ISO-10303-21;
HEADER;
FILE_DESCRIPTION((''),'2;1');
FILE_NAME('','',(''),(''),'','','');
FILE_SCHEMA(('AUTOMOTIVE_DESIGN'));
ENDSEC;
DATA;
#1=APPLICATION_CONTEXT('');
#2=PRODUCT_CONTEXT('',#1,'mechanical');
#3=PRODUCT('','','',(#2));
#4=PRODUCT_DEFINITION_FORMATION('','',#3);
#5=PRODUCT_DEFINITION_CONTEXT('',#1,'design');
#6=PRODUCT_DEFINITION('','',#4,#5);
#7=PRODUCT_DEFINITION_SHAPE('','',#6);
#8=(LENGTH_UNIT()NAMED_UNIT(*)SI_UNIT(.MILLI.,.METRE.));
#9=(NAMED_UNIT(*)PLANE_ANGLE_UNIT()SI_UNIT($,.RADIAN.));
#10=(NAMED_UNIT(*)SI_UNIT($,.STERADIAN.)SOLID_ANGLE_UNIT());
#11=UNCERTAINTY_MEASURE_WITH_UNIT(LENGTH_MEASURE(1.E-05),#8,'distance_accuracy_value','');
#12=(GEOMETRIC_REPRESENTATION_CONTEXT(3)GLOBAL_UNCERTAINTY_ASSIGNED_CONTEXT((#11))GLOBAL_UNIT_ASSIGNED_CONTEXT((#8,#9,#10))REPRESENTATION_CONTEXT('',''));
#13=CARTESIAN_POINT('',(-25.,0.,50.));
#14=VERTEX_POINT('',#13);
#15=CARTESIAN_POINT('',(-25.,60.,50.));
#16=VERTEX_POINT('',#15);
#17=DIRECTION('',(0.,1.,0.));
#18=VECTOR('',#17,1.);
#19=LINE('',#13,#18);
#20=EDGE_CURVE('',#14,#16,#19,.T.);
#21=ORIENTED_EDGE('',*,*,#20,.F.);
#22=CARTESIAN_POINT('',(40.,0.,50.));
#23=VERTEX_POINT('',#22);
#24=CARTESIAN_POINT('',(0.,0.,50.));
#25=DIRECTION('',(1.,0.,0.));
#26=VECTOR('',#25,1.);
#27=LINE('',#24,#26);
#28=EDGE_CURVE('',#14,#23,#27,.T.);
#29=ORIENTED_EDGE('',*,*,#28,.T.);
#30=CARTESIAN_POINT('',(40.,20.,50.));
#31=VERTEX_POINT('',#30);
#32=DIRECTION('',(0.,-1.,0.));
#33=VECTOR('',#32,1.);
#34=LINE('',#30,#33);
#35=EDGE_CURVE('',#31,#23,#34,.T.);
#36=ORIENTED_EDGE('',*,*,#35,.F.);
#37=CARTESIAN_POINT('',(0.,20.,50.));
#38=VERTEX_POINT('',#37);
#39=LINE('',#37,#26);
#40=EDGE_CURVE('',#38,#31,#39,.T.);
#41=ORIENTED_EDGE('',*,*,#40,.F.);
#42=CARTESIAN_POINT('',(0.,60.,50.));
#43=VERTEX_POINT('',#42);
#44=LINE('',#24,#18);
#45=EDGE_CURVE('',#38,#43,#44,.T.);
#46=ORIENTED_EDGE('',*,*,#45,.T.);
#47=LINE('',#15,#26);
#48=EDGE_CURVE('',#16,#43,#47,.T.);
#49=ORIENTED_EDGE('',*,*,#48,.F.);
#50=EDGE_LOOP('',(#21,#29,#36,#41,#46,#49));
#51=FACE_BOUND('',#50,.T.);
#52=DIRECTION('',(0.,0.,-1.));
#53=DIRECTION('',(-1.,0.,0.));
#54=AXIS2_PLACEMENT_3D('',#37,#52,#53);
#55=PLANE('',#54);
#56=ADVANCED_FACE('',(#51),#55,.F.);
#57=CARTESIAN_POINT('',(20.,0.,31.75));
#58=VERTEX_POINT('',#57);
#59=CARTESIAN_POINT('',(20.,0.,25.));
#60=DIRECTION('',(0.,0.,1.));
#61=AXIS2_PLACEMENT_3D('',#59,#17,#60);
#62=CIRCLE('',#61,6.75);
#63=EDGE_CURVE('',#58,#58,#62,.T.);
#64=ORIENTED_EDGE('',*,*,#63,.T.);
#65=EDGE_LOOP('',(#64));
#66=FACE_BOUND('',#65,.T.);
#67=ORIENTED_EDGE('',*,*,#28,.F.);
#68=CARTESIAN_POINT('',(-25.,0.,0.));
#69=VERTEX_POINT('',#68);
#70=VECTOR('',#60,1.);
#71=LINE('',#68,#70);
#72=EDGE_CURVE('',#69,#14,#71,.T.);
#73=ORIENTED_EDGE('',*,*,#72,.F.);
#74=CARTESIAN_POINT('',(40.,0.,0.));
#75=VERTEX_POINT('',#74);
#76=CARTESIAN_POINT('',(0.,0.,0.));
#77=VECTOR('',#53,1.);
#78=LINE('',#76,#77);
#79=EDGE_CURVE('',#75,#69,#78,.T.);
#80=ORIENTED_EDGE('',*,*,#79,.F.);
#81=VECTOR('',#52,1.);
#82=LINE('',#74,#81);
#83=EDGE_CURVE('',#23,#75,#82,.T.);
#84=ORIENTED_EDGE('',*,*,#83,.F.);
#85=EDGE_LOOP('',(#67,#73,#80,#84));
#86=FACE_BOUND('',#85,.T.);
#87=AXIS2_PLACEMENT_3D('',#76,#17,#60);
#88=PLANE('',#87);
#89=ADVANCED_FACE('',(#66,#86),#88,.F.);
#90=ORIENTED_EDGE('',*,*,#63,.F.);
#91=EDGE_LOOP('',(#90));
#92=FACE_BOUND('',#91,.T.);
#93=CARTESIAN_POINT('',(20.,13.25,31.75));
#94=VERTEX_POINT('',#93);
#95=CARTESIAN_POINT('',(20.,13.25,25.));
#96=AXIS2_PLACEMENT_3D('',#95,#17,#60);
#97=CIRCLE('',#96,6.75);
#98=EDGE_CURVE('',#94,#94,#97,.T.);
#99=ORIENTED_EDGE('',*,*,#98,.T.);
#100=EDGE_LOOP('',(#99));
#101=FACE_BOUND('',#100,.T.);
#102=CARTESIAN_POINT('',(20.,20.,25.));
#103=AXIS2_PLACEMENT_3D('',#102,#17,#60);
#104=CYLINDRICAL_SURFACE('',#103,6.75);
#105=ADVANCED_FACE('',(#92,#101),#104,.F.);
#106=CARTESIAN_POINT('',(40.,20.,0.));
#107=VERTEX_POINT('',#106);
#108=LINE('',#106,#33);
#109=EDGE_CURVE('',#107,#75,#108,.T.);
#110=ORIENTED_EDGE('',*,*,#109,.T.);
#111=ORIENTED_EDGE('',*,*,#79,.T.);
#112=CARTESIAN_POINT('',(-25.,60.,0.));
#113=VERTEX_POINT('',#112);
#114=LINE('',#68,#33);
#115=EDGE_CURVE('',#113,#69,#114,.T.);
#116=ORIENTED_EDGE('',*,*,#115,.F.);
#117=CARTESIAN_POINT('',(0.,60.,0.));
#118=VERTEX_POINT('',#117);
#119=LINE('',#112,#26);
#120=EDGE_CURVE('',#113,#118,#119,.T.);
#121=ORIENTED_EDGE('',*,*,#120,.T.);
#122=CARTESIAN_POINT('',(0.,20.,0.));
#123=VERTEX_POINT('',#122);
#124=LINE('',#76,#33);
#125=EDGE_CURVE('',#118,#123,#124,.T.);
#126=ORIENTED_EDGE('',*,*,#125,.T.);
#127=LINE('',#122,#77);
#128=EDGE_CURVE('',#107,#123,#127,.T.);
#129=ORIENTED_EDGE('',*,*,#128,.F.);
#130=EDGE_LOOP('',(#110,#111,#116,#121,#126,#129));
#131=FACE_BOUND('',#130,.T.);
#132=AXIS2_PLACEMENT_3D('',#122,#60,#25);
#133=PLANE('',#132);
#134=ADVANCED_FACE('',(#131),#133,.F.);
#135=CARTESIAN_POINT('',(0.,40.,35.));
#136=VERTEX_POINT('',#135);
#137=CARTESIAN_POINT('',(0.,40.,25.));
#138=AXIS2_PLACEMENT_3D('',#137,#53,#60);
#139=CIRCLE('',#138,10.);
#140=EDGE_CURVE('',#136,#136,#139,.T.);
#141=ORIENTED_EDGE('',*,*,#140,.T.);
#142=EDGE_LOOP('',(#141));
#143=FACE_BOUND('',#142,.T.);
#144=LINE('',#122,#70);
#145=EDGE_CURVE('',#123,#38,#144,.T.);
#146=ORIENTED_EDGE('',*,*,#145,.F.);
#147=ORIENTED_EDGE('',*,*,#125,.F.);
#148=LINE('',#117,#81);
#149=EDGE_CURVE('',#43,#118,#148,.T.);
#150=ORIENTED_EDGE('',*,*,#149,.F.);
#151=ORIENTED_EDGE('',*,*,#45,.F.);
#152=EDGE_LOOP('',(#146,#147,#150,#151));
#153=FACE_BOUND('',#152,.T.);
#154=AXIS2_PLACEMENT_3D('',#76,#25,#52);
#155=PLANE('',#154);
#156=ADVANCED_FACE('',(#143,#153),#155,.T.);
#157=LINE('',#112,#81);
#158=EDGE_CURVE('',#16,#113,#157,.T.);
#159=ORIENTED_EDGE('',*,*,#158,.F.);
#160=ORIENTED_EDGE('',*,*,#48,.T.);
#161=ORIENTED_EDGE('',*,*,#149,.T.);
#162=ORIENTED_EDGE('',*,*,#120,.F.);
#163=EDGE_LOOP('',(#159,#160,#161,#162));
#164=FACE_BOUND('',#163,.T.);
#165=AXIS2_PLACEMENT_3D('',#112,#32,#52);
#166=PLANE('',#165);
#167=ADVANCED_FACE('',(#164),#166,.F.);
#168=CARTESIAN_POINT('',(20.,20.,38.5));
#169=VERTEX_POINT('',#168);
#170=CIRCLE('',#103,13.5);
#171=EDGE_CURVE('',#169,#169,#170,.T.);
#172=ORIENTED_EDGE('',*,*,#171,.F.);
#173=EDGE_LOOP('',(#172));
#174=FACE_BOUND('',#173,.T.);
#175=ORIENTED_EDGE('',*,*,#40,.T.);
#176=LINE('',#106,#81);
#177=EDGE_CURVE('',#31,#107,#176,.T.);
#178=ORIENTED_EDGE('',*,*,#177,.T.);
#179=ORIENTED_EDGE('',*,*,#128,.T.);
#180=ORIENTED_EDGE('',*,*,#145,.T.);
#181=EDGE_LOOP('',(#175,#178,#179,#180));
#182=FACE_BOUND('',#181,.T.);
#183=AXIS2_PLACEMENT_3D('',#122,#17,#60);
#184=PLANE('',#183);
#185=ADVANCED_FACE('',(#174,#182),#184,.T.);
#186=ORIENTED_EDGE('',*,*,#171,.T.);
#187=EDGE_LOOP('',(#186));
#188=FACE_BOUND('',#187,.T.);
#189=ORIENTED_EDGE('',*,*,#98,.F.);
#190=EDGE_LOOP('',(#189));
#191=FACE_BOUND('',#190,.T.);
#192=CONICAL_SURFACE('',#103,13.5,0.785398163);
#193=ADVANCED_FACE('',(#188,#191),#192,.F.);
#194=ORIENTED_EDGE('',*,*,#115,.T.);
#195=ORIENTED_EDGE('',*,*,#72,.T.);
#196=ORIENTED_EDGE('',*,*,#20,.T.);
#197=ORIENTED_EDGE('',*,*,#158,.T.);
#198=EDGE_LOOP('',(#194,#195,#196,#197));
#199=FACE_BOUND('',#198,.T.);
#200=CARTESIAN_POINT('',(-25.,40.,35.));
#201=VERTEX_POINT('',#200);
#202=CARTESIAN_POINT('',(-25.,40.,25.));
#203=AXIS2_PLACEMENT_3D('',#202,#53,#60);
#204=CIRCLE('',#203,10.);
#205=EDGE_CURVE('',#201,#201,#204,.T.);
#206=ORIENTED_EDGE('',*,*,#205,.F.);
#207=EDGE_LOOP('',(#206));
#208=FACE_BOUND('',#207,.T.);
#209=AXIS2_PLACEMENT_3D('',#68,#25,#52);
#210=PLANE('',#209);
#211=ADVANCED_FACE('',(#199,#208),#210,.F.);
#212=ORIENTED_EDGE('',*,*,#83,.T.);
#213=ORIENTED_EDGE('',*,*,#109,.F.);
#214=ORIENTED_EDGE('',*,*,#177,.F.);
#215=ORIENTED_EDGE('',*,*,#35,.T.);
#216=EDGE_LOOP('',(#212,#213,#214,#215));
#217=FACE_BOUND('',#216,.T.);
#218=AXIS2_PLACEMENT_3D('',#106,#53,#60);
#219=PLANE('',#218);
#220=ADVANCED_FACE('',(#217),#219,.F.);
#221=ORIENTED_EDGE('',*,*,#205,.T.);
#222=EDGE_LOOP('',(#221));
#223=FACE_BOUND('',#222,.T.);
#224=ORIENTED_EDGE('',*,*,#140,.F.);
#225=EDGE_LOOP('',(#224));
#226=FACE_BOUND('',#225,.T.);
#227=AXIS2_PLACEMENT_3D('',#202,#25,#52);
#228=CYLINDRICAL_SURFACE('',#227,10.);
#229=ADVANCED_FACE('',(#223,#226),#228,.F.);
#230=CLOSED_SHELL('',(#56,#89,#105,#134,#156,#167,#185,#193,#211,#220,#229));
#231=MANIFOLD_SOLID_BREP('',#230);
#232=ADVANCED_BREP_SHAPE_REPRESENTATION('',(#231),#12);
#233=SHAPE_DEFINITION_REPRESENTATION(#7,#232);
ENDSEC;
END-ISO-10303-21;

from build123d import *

# Parameters (mm, degrees)
SKETCH1_W                                       = 40
SKETCH1_H                                       = 50
BOSS_EXTRUDE1_DEPTH                             = 20
CSK_FOR_M2_FLAT_HEAD_MACHINE_SCREW1_D           = 13.5
CSK_FOR_M2_FLAT_HEAD_MACHINE_SCREW1_CSINK_D     = 27
CSK_FOR_M2_FLAT_HEAD_MACHINE_SCREW1_CSINK_ANGLE = 90
SKETCH4_W                                       = 50
SKETCH4_H                                       = 60
SKETCH4_R                                       = 10
BOSS_EXTRUDE2_DEPTH                             = 25


with BuildPart() as part:
    # Sketch1 → Boss-Extrude1 (new body)
    with BuildSketch(Plane(origin=(0, 0, 0), x_dir=(1, 0, 0), z_dir=(0, 1, 0))):
        with Locations((20, -25)):
            Rectangle(SKETCH1_W, SKETCH1_H)
    extrude(amount=BOSS_EXTRUDE1_DEPTH)

    # CSK for M2 Flat Head Machine Screw1 (through all)
    with Locations(Plane(origin=(0, 20, 0), x_dir=(1, 0, 0), z_dir=(0, 1, 0))):
        with Locations((20, -25)):
            CounterSinkHole(CSK_FOR_M2_FLAT_HEAD_MACHINE_SCREW1_D / 2, CSK_FOR_M2_FLAT_HEAD_MACHINE_SCREW1_CSINK_D / 2, counter_sink_angle=CSK_FOR_M2_FLAT_HEAD_MACHINE_SCREW1_CSINK_ANGLE)

    # Sketch4 → Boss-Extrude2 (add)
    with BuildSketch(Plane.ZY):
        with Locations((25, 30)):
            Rectangle(SKETCH4_W, SKETCH4_H)
        with Locations((25, 40)):
            Circle(SKETCH4_R, mode=Mode.SUBTRACT)
    extrude(amount=BOSS_EXTRUDE2_DEPTH)


solid = part.part
